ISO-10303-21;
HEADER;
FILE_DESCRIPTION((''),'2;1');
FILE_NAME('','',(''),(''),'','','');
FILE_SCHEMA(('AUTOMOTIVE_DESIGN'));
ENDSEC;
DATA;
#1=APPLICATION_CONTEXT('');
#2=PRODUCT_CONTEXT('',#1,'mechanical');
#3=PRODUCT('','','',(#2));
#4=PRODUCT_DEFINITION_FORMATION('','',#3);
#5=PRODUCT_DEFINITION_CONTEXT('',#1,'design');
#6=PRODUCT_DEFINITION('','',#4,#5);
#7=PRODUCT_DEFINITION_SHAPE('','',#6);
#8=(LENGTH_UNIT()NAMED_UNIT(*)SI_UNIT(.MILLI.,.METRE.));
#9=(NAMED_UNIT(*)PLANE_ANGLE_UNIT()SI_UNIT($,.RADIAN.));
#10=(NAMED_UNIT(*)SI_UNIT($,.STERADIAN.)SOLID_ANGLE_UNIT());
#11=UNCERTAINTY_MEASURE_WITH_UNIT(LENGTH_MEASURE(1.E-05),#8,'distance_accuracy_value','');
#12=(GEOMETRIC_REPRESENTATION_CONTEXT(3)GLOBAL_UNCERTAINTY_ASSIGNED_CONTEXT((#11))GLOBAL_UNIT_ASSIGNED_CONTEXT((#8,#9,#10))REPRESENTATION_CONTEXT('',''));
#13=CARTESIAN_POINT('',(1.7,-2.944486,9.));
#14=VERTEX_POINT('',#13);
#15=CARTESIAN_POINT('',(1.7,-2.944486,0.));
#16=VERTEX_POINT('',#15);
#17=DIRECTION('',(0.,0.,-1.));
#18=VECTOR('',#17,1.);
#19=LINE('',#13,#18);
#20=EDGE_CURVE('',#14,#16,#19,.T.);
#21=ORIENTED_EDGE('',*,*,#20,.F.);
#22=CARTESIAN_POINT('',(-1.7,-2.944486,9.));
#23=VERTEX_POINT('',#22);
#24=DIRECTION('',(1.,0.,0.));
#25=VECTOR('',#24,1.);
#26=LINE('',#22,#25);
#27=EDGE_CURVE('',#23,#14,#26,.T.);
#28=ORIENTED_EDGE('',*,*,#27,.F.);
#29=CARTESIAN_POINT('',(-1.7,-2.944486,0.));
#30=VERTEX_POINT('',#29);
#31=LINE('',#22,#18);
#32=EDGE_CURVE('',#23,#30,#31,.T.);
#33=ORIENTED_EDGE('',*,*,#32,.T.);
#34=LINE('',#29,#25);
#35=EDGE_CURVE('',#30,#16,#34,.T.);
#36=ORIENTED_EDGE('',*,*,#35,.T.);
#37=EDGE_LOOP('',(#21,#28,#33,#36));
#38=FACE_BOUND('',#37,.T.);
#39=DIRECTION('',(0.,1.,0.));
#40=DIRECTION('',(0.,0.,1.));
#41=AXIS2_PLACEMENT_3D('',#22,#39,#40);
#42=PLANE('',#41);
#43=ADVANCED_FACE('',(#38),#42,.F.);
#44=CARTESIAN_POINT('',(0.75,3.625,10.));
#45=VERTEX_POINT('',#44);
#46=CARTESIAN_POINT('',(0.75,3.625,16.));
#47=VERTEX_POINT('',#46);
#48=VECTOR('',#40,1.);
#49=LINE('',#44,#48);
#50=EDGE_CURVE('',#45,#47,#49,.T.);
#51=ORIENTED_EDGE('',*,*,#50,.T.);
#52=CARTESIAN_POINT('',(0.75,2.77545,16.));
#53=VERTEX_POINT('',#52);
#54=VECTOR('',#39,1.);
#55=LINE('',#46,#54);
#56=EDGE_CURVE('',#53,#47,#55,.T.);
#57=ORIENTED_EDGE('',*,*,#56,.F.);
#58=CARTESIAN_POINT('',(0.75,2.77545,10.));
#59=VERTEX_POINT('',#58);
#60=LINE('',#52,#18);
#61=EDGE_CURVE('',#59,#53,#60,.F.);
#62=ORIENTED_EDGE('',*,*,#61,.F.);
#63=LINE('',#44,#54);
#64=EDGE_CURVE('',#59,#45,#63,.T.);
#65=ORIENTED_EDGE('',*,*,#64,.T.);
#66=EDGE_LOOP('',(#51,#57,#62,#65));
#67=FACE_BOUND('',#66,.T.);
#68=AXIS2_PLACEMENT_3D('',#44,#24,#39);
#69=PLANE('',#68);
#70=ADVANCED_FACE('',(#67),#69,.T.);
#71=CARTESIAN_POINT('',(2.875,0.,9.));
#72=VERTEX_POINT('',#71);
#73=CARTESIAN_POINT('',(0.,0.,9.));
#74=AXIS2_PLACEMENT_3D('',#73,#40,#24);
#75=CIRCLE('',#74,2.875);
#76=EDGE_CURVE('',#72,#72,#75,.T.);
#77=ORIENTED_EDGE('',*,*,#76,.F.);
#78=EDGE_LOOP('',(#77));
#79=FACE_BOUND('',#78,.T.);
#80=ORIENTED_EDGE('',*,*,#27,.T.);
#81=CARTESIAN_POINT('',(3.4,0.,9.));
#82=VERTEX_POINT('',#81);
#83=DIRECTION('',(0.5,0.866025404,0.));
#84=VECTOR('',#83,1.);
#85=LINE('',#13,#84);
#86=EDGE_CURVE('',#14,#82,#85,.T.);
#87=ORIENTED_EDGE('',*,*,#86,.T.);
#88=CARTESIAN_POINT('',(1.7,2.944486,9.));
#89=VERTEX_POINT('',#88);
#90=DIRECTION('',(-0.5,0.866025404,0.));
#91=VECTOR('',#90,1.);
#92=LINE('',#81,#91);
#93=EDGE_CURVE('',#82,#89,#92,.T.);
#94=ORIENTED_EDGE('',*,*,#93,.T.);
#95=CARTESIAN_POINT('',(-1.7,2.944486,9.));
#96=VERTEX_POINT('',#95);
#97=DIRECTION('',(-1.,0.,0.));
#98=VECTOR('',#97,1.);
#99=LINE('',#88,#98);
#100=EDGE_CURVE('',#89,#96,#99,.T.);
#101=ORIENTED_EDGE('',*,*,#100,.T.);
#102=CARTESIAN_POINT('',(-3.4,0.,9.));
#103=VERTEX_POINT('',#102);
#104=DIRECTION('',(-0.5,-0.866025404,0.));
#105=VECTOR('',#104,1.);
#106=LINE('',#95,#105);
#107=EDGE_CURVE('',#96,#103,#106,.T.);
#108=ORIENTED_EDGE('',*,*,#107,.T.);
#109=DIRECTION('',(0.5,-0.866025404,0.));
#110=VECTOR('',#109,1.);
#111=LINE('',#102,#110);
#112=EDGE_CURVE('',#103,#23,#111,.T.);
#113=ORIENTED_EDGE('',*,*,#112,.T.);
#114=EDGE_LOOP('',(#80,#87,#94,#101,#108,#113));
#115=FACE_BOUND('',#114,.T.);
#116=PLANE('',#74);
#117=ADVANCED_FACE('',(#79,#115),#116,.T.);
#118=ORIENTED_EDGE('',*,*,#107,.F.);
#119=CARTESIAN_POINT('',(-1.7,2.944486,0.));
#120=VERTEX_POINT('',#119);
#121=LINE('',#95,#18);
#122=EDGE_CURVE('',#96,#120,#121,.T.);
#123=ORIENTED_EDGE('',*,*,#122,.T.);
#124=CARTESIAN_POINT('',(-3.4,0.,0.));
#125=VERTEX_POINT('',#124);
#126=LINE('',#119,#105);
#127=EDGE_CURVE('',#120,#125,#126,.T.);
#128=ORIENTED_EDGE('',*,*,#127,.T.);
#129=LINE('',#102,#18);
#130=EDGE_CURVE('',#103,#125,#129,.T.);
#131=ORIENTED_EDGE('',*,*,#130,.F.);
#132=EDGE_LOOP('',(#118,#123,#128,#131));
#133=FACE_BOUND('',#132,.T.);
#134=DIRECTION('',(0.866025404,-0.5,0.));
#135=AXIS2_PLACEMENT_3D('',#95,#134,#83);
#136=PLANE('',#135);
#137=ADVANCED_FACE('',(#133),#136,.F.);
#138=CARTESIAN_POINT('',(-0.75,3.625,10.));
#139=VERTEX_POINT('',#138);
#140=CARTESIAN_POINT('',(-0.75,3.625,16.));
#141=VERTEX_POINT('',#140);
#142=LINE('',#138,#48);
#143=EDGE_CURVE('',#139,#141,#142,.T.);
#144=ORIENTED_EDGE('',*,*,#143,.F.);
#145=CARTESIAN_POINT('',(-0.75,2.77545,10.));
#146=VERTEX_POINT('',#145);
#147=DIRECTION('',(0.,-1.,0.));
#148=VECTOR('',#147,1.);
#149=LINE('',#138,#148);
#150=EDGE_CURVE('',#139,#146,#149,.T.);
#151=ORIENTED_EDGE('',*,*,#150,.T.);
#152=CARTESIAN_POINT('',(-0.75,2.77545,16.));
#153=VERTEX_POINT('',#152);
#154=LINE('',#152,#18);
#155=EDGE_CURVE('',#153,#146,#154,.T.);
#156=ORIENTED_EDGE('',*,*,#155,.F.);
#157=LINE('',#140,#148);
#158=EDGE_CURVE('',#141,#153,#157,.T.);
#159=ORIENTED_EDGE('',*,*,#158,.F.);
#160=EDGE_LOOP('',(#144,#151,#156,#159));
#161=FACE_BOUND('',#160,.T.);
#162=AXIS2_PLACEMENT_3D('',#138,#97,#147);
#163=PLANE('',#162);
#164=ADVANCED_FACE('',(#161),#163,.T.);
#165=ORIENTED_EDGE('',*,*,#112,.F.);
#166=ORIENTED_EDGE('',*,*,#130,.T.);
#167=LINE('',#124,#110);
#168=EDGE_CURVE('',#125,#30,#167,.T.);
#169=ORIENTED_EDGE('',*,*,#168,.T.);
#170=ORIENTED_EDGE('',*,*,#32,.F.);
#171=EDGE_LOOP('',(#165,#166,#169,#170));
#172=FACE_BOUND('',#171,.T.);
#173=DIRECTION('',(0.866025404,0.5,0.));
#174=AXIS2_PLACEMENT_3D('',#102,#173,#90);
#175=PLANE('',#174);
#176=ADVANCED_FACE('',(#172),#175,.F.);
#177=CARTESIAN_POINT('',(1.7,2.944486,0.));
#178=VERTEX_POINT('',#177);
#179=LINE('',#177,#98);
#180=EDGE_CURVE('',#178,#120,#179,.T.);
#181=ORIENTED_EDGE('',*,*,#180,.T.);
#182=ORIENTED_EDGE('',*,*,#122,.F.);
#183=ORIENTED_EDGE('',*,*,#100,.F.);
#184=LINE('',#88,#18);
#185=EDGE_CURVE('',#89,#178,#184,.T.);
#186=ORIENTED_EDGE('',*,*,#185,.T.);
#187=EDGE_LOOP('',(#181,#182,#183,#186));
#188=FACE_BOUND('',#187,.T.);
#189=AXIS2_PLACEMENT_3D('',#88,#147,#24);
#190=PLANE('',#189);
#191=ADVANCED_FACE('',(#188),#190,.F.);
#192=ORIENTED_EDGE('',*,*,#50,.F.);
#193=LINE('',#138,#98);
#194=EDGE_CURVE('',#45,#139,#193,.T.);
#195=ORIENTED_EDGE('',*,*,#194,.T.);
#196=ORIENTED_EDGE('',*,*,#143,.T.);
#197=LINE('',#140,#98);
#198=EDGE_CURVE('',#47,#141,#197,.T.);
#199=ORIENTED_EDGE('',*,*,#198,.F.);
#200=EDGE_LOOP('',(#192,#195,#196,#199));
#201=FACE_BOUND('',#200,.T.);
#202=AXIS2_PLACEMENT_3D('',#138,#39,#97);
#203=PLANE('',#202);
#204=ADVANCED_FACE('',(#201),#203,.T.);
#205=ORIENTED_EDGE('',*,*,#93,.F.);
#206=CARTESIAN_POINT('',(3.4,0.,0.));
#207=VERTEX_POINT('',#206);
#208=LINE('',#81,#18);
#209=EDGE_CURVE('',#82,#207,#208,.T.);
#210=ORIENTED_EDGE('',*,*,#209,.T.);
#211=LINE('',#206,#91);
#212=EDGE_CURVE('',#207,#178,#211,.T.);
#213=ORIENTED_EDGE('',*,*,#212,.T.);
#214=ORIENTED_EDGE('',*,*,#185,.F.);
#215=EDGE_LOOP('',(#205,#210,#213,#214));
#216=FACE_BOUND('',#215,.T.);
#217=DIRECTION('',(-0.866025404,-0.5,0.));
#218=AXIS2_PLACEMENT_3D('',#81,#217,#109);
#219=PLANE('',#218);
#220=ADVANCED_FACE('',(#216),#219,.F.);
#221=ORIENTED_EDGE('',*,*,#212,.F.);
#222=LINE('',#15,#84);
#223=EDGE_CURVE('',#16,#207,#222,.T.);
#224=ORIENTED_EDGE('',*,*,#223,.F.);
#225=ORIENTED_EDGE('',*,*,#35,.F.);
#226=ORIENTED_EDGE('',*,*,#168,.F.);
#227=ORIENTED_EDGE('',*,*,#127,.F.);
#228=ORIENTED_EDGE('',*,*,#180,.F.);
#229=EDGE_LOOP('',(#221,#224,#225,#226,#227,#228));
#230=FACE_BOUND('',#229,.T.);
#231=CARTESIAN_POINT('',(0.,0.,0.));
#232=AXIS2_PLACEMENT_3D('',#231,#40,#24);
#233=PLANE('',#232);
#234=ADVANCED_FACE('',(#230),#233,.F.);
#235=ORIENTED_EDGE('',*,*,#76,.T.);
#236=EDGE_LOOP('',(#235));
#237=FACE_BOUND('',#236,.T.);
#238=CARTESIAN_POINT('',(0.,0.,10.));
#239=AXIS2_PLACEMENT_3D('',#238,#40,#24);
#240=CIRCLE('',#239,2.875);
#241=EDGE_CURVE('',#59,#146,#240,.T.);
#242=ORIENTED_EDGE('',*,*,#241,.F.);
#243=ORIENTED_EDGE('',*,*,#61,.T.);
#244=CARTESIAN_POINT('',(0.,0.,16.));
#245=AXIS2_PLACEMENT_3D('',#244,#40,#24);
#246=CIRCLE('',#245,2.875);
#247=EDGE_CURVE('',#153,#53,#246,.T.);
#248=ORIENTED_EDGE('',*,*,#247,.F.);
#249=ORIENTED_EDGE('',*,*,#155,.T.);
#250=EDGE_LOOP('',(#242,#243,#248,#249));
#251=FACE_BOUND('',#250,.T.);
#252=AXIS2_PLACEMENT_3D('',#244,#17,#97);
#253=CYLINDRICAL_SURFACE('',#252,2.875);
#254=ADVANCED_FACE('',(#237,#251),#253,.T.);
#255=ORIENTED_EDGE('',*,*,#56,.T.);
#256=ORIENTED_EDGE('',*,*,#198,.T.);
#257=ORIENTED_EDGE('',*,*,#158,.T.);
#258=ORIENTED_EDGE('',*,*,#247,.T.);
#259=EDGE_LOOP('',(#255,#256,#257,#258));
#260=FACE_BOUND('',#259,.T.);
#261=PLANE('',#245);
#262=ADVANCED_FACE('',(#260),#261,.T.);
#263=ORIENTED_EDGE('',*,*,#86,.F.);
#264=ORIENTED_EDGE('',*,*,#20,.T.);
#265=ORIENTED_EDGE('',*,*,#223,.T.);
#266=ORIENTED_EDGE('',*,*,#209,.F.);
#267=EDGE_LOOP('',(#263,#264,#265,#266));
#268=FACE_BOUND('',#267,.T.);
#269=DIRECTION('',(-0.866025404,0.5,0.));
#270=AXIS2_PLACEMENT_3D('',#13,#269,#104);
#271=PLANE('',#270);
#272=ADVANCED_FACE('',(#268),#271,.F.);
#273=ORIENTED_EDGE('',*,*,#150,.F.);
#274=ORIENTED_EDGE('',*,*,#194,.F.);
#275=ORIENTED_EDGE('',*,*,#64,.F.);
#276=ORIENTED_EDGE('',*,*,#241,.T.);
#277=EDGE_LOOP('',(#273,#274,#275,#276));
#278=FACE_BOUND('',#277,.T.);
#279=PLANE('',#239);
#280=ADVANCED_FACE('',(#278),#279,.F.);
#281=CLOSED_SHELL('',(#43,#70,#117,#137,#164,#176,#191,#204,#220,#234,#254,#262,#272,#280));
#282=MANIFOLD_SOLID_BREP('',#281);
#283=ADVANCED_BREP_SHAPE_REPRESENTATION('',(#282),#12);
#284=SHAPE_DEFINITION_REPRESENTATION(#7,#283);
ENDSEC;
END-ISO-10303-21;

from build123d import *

# Parameters (mm, degrees)
BOSS_EXTRUDE1_DEPTH = 9
SKETCH2_R           = 2.875
BOSS_EXTRUDE2_DEPTH = 7
SKETCH3_W           = 1.5
SKETCH3_H           = 1.5
BOSS_EXTRUDE3_DEPTH = 6


with BuildPart() as part:
    # Sketch1 → Boss-Extrude1 (new body)
    with BuildSketch(Plane.XY):
        Polygon((3.4, 0), (1.7, 2.944486373), (-1.7, 2.944486373), (-3.4, 0), (-1.7, -2.944486373), (1.7, -2.944486373), align=None)
    extrude(amount=BOSS_EXTRUDE1_DEPTH)

    # Sketch2 → Boss-Extrude2 (add)
    with BuildSketch(Plane.XY.offset(9)):
        Circle(SKETCH2_R)
    extrude(amount=BOSS_EXTRUDE2_DEPTH)

    # Sketch3 → Boss-Extrude3 (add)
    with BuildSketch(Plane.XY.offset(16)):
        with Locations((0, 2.875)):
            Rectangle(SKETCH3_W, SKETCH3_H)
    extrude(amount=-BOSS_EXTRUDE3_DEPTH)


solid = part.part
